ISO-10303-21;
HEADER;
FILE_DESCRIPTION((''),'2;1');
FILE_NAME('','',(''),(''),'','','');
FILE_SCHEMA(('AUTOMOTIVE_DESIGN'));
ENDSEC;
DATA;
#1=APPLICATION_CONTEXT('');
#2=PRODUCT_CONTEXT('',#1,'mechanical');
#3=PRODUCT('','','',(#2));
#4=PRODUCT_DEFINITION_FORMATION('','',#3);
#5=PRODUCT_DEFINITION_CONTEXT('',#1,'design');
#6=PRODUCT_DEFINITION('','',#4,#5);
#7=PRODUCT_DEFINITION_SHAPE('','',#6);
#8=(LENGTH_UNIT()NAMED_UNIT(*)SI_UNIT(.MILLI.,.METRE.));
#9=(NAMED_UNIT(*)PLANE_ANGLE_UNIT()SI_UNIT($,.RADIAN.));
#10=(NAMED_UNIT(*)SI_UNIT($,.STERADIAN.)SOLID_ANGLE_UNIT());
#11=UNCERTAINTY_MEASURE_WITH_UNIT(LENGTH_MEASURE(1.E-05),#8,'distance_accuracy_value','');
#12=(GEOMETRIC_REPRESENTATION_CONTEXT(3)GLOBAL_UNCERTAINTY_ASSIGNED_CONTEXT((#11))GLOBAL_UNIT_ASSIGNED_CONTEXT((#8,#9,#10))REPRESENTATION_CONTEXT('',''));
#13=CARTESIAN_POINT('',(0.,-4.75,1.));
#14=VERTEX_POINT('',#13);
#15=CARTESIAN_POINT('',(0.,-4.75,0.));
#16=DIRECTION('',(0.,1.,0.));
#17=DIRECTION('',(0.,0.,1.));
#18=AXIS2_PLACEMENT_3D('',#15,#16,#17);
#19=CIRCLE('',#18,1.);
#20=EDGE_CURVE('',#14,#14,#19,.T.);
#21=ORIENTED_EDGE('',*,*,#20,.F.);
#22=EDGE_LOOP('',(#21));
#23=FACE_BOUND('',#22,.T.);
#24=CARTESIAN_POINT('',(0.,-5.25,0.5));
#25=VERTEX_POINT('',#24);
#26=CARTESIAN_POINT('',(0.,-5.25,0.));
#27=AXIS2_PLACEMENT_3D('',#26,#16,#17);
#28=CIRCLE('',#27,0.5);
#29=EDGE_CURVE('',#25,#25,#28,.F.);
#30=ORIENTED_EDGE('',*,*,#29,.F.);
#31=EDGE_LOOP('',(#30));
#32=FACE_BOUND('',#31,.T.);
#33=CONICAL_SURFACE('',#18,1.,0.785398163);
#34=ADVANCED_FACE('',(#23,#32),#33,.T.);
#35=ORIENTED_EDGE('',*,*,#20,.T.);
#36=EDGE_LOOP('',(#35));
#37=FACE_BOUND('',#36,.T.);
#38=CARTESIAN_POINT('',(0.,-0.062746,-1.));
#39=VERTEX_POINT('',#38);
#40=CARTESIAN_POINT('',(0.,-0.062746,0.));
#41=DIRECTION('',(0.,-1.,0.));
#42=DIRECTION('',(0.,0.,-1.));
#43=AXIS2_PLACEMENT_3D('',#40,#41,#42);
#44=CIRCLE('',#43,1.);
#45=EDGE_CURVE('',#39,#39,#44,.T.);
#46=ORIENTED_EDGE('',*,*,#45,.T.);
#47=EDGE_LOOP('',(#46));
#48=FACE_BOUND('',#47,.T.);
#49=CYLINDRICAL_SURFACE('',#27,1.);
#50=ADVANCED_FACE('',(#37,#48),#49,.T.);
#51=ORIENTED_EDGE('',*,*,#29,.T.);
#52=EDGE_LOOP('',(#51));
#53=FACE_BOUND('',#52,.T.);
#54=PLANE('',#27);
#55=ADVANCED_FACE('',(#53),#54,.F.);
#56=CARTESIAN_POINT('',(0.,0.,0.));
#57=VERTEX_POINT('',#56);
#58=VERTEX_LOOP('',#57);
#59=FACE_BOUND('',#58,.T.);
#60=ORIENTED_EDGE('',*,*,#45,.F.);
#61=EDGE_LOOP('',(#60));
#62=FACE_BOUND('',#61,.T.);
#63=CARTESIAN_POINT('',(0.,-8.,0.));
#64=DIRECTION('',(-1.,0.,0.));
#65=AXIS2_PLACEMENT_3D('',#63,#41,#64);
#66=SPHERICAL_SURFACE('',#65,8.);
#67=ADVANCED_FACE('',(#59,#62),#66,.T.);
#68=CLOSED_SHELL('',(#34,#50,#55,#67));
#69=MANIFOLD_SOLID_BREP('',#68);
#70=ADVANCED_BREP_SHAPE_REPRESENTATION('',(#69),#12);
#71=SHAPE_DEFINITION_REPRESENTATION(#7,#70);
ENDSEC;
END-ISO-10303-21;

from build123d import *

# Parameters (mm, degrees)
SKETCH1_R                 = 1
BOSS_EXTRUDE_5_25MM_DEPTH = 5.25
F_0_5_X_45_DEG_SIZE       = 0.5


with BuildPart() as part:
    # Sketch1 → Boss-Extrude 5.25mm (new body)
    with BuildSketch(Plane(origin=(0, 0, 0), x_dir=(1, 0, 0), z_dir=(0, 1, 0))):
        Circle(SKETCH1_R)
    extrude(amount=-BOSS_EXTRUDE_5_25MM_DEPTH)

    # 0.5 x 45 deg
    f_0_5_x_45_deg_edges = [part.edges().sort_by_distance(p)[0] for p in [
        (-1, -5.25, 0),
    ]]
    chamfer(f_0_5_x_45_deg_edges, length=F_0_5_X_45_DEG_SIZE)

    # Sketch2 → SR8 (revolve, cut)
    with BuildSketch(Plane.XY):
        with BuildLine():
            Line((0, 2), (-2, 2))
            Line((-2, 2), (-2, -0.254033308))
            ThreePointArc((-2, -0.254033308), (-1.00803434, -0.06376243), (0, 0))
            Line((0, 0), (0, 2))
        make_face()
    revolve(axis=Axis((0, 0, 0), (0, 1, 0)), mode=Mode.SUBTRACT)


solid = part.part
